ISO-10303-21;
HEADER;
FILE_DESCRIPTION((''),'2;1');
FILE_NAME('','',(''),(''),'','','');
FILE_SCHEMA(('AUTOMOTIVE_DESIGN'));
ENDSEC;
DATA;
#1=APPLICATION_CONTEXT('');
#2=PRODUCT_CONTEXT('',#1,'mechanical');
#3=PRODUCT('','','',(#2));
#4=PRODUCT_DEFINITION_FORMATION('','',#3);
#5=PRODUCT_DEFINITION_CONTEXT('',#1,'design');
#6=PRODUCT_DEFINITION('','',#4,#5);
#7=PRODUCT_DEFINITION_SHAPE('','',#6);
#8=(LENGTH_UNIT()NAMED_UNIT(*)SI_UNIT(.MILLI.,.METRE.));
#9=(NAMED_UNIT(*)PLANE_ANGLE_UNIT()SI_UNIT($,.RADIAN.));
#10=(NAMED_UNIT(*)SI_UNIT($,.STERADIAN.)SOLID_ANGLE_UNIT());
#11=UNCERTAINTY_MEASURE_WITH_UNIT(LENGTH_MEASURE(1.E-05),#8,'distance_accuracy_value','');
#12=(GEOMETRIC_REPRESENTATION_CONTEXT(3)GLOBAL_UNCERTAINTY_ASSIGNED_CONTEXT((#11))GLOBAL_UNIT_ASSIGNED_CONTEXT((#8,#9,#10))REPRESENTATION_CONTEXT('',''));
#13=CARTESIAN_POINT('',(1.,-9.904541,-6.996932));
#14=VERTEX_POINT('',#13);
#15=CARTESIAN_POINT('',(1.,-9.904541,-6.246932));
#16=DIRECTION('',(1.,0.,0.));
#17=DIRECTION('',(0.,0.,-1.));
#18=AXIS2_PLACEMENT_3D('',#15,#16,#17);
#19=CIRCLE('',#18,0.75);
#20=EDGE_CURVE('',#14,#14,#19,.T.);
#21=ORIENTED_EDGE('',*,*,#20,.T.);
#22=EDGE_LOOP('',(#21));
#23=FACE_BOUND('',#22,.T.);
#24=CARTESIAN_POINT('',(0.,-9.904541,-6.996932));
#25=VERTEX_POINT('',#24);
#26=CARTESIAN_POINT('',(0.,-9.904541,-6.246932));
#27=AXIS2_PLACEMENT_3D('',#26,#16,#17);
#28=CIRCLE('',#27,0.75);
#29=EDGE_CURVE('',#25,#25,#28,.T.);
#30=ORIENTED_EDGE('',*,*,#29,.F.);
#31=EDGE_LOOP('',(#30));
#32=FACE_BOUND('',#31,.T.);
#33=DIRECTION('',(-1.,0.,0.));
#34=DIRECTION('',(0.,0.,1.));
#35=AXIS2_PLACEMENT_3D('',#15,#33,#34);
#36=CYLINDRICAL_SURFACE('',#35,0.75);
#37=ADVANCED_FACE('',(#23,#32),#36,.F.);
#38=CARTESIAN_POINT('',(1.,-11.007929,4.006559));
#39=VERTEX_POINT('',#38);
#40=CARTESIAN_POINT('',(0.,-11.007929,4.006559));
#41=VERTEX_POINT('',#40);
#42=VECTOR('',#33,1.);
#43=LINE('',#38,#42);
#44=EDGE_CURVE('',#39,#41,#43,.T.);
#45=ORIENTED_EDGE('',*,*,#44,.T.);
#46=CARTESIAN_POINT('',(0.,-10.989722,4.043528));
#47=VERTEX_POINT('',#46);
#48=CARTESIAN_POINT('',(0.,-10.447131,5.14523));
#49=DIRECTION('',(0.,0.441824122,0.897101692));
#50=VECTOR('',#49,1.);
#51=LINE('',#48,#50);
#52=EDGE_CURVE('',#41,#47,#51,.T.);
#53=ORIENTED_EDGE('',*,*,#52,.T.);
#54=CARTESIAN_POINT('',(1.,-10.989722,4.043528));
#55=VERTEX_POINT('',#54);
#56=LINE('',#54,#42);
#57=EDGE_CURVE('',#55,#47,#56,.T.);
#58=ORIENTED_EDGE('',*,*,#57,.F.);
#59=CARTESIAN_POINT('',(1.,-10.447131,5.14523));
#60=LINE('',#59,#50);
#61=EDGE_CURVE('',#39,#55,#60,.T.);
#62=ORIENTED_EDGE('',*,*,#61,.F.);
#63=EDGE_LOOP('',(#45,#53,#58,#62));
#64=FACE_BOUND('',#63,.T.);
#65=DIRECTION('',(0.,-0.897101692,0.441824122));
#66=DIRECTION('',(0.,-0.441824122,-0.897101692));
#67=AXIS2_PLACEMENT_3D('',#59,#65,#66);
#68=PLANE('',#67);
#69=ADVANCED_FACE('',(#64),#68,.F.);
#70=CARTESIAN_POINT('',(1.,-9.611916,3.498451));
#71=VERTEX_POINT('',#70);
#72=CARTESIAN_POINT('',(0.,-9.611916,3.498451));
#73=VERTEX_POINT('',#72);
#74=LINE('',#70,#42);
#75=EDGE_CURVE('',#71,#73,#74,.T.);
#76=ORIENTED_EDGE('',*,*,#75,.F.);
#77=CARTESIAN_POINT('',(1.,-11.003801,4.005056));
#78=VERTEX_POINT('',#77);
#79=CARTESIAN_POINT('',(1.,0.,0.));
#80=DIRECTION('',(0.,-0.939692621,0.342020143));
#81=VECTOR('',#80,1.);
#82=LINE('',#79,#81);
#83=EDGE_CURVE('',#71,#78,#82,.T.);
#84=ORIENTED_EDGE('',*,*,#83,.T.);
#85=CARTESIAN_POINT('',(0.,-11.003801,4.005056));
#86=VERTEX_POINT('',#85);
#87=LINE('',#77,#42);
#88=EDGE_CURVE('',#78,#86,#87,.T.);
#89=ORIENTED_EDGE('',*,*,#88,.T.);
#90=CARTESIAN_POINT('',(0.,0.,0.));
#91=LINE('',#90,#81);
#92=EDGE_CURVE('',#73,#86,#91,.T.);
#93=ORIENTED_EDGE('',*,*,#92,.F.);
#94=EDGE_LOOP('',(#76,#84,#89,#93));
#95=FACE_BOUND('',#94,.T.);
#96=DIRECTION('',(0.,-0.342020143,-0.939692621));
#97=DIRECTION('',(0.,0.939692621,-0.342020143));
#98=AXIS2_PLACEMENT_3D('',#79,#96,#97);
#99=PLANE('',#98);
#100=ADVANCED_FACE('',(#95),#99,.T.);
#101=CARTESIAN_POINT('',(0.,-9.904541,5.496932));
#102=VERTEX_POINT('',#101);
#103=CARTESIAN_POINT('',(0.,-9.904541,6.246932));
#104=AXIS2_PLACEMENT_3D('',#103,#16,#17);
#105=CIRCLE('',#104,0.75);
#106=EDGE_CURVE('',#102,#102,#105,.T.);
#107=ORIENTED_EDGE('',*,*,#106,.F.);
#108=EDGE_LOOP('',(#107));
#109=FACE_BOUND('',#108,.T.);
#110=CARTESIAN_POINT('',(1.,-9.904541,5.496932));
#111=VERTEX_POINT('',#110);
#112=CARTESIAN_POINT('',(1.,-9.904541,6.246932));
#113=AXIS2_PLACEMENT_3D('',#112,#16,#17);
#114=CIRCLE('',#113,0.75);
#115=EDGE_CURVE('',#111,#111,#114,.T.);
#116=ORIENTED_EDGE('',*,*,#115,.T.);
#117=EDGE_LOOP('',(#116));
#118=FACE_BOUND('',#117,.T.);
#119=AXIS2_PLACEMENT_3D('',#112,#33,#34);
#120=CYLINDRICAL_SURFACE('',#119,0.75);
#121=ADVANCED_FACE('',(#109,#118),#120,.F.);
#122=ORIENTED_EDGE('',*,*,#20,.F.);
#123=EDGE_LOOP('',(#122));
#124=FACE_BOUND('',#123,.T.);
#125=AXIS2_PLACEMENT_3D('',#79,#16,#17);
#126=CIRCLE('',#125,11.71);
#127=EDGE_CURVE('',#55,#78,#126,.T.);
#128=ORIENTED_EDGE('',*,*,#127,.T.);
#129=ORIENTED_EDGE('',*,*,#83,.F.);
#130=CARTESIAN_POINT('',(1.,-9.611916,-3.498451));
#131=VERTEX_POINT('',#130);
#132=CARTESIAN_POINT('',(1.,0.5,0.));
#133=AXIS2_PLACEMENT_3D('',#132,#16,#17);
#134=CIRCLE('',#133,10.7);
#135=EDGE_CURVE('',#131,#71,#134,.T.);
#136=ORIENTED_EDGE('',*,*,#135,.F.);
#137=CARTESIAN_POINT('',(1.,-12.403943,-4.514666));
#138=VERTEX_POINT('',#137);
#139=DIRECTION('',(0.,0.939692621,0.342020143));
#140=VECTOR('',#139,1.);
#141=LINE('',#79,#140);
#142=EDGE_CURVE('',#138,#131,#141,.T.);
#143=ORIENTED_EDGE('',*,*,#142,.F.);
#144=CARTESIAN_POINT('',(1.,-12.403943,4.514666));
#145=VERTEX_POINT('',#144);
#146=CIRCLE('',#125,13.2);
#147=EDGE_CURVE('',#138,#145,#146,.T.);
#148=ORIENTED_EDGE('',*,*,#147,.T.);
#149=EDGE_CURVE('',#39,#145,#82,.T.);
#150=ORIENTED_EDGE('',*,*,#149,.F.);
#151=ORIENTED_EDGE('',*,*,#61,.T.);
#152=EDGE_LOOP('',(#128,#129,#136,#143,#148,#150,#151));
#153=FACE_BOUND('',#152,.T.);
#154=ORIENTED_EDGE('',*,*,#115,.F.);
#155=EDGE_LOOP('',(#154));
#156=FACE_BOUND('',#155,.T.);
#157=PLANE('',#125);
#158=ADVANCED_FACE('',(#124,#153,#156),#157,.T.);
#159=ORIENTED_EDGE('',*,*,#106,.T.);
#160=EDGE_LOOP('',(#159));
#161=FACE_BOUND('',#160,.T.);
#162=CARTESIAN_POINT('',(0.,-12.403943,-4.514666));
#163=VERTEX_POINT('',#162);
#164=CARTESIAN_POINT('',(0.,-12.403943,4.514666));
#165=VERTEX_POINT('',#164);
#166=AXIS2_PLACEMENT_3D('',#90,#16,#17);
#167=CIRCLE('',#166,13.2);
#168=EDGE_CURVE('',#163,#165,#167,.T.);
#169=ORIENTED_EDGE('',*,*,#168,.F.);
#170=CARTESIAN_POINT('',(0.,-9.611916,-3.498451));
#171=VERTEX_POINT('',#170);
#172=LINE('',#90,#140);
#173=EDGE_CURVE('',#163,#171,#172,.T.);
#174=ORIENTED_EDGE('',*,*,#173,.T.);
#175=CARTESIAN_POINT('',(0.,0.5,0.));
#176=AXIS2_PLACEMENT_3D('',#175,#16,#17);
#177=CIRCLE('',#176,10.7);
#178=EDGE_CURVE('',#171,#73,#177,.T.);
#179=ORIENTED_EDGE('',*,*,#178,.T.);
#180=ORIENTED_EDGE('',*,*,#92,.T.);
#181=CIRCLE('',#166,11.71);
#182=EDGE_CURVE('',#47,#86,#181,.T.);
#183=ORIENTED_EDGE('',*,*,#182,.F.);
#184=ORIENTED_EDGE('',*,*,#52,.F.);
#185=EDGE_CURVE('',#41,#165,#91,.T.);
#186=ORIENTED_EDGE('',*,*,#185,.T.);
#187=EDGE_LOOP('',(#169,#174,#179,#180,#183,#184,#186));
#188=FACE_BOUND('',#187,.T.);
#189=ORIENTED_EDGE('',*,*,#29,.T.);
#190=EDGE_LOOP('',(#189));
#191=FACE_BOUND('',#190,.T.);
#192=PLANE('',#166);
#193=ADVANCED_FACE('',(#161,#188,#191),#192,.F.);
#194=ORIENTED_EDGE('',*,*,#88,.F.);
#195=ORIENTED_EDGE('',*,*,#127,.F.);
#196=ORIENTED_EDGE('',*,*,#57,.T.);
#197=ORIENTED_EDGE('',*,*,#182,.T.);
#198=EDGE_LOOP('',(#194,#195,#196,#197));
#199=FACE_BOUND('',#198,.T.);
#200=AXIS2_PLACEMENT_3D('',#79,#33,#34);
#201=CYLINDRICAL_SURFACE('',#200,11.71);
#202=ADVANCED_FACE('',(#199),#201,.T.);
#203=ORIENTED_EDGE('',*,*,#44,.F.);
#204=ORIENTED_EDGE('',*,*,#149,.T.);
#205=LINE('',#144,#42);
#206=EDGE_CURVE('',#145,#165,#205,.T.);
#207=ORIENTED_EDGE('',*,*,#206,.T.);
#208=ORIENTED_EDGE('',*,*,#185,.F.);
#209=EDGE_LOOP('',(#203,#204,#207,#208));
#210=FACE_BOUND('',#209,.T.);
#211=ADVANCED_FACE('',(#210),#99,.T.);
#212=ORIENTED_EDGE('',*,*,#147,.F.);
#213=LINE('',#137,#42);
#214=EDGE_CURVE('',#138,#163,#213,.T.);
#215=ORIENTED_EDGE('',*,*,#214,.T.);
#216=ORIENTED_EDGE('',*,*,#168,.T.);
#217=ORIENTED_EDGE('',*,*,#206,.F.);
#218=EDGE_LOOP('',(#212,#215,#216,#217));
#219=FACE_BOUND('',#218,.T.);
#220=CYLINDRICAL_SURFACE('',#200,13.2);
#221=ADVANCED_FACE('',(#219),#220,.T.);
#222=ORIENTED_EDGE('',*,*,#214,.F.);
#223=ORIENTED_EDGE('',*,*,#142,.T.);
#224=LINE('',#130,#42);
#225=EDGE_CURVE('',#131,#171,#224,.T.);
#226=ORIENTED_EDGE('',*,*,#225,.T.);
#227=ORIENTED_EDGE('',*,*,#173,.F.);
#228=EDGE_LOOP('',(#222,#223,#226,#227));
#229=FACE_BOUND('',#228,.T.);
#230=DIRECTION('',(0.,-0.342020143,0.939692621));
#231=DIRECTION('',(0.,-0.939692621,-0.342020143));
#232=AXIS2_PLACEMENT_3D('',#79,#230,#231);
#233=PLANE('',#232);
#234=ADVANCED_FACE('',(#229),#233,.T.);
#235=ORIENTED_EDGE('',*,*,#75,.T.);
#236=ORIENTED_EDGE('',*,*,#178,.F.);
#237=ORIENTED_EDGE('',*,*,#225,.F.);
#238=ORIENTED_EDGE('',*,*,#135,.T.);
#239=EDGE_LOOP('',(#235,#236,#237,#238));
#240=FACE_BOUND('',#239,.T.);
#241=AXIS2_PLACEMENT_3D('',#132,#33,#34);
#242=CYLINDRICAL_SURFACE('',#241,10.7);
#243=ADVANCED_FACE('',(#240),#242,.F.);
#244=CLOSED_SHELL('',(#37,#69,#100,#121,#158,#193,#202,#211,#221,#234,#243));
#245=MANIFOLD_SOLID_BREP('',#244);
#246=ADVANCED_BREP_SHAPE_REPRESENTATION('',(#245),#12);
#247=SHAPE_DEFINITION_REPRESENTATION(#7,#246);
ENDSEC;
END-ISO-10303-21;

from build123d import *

# Parameters (mm, degrees)
SZKIC2_R                    = 0.75
DODANIE_WYCI_GNI_CIE1_DEPTH = 1


with BuildPart() as part:
    # Szkic2 → Dodanie-wyciągnięcie1 (new body)
    with BuildSketch(Plane(origin=(0, 0, 0), x_dir=(0, 0, -1), z_dir=(1, 0, 0))):
        with BuildLine():
            Line((-4.005055878, -11.003800589), (-3.498451209, -9.611915701))
            ThreePointArc((-3.498451209, -9.611915701), (0, 11.2), (3.498451209, -9.611915701))
            Line((3.498451209, -9.611915701), (4.514665892, -12.403942594))
            ThreePointArc((4.514665892, -12.403942594), (0, 13.2), (-4.514665892, -12.403942594))
            Line((-4.514665892, -12.403942594), (-4.006558551, -11.007929147))
            Line((-4.006558551, -11.007929147), (-4.043528072, -10.989721595))
            ThreePointArc((-4.043528072, -10.989721595), (-4.024298132, -10.996777916), (-4.005055878, -11.003800589))
        make_face()
        with Locations((-6.246932231, -9.904541267)):
            Circle(SZKIC2_R, mode=Mode.SUBTRACT)
        with Locations((6.24693223, -9.904541267)):
            Circle(SZKIC2_R, mode=Mode.SUBTRACT)
    extrude(amount=DODANIE_WYCI_GNI_CIE1_DEPTH)


solid = part.part
